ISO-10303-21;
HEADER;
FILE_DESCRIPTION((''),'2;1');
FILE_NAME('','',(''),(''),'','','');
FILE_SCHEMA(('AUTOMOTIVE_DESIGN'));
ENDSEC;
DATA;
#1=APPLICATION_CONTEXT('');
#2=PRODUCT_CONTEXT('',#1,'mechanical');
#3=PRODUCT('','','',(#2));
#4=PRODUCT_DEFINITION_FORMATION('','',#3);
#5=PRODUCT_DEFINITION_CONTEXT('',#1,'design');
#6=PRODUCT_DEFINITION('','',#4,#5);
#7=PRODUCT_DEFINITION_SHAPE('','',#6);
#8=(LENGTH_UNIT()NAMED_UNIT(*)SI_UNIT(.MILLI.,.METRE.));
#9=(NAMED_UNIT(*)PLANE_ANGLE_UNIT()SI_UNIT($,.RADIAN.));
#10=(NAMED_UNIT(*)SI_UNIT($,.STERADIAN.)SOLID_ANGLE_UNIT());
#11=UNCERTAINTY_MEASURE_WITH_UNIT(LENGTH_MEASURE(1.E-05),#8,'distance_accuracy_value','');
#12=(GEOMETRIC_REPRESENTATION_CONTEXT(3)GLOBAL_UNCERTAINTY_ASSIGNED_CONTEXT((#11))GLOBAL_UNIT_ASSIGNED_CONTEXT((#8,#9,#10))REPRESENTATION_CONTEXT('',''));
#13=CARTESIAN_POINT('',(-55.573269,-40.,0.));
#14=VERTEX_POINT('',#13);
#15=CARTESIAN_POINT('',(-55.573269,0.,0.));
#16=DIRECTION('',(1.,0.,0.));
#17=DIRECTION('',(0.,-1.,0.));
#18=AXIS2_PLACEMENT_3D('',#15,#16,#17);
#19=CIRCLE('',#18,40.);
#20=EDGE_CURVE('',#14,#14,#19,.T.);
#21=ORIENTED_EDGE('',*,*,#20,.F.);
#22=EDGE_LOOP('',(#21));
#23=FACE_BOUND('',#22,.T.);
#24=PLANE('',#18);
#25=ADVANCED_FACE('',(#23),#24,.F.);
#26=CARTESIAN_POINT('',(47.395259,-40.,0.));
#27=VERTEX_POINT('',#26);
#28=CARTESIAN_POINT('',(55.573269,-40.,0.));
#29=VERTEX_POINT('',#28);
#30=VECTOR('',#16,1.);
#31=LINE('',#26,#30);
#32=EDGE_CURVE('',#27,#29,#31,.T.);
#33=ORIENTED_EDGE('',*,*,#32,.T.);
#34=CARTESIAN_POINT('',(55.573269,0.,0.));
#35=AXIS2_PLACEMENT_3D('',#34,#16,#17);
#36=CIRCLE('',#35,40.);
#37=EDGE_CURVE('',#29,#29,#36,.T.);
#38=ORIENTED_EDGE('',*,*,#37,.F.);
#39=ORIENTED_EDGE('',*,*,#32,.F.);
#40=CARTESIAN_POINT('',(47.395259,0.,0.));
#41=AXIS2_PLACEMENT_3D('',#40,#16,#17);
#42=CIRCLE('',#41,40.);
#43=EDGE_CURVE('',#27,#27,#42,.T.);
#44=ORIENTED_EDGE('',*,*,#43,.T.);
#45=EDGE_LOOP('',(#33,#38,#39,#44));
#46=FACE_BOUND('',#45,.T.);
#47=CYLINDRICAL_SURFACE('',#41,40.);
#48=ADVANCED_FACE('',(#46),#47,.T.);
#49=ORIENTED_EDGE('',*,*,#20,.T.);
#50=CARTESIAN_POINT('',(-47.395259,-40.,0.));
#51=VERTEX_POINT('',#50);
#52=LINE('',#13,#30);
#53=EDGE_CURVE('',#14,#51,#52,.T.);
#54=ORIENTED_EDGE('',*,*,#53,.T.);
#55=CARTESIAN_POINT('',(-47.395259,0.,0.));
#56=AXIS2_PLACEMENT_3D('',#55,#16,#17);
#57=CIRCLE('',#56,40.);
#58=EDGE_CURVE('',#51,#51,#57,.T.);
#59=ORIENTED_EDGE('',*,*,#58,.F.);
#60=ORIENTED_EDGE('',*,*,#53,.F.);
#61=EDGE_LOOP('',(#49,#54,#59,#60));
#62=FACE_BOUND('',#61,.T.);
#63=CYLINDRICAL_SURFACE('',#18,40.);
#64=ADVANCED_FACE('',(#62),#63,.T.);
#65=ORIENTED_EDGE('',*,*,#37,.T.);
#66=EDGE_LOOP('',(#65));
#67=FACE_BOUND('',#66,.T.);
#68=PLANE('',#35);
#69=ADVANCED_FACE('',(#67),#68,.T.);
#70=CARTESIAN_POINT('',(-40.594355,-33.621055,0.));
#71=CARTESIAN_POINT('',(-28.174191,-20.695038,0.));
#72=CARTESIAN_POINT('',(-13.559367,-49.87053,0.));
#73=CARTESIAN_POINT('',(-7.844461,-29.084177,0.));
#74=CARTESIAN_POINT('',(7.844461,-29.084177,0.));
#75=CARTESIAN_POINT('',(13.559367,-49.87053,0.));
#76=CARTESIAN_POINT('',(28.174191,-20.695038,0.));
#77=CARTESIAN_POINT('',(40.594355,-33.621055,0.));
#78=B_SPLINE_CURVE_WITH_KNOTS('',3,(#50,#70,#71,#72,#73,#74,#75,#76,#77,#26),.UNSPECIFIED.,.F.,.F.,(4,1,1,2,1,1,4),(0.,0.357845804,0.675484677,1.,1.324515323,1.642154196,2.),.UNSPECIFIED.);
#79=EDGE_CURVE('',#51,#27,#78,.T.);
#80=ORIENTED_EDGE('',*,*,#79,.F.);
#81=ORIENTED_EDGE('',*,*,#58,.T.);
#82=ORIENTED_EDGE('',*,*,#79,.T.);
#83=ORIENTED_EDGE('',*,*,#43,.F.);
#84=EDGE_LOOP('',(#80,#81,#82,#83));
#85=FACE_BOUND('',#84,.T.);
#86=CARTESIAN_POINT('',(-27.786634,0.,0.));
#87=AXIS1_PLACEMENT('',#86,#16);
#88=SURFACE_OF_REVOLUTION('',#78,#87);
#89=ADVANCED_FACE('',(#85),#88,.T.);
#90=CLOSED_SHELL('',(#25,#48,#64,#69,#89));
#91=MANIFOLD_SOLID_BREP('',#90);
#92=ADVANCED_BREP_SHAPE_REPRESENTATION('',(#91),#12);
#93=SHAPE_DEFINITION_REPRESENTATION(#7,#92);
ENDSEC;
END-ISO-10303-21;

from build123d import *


with BuildPart() as f1:
    # F0 (on Top) → F1 (revolve)
    with BuildSketch(Plane.XY):
        with BuildLine():
            Line((55.5732686878, -40), (55.5732686878, 0))
            Line((55.5732686878, 0), (0, 0))
            Line((0, 0), (-55.5732686878, 0))
            Line((-55.5732686878, 0), (-55.5732686878, -40))
            Line((-55.5732686878, -40), (-47.3952590766, -40))
            add(Edge.make_bspline(
                [(-47.3952590766, -40), (-40.594354699, -33.621054644), (-28.1741909454, -20.6950382272), (-13.5593671051, -49.8705296837), (-7.8444605816, -29.0841772008), (0, -29.0841772008)],
                knots=[0, 0, 0, 0, 0.3578458043, 0.6754846766, 1, 1, 1, 1], degree=3))
            add(Edge.make_bspline(
                [(47.3952590766, -40), (40.594354699, -33.621054644), (28.1741909454, -20.6950382272), (13.5593671051, -49.8705296837), (7.8444605816, -29.0841772008), (0, -29.0841772008)],
                knots=[0, 0, 0, 0, 0.3578458043, 0.6754846766, 1, 1, 1, 1], degree=3))
            Line((47.3952590766, -40), (55.5732686878, -40))
        make_face()
    revolve(axis=Axis((-27.7866343439, 0, 0), (1, 0, 0)))


solid = f1.part
